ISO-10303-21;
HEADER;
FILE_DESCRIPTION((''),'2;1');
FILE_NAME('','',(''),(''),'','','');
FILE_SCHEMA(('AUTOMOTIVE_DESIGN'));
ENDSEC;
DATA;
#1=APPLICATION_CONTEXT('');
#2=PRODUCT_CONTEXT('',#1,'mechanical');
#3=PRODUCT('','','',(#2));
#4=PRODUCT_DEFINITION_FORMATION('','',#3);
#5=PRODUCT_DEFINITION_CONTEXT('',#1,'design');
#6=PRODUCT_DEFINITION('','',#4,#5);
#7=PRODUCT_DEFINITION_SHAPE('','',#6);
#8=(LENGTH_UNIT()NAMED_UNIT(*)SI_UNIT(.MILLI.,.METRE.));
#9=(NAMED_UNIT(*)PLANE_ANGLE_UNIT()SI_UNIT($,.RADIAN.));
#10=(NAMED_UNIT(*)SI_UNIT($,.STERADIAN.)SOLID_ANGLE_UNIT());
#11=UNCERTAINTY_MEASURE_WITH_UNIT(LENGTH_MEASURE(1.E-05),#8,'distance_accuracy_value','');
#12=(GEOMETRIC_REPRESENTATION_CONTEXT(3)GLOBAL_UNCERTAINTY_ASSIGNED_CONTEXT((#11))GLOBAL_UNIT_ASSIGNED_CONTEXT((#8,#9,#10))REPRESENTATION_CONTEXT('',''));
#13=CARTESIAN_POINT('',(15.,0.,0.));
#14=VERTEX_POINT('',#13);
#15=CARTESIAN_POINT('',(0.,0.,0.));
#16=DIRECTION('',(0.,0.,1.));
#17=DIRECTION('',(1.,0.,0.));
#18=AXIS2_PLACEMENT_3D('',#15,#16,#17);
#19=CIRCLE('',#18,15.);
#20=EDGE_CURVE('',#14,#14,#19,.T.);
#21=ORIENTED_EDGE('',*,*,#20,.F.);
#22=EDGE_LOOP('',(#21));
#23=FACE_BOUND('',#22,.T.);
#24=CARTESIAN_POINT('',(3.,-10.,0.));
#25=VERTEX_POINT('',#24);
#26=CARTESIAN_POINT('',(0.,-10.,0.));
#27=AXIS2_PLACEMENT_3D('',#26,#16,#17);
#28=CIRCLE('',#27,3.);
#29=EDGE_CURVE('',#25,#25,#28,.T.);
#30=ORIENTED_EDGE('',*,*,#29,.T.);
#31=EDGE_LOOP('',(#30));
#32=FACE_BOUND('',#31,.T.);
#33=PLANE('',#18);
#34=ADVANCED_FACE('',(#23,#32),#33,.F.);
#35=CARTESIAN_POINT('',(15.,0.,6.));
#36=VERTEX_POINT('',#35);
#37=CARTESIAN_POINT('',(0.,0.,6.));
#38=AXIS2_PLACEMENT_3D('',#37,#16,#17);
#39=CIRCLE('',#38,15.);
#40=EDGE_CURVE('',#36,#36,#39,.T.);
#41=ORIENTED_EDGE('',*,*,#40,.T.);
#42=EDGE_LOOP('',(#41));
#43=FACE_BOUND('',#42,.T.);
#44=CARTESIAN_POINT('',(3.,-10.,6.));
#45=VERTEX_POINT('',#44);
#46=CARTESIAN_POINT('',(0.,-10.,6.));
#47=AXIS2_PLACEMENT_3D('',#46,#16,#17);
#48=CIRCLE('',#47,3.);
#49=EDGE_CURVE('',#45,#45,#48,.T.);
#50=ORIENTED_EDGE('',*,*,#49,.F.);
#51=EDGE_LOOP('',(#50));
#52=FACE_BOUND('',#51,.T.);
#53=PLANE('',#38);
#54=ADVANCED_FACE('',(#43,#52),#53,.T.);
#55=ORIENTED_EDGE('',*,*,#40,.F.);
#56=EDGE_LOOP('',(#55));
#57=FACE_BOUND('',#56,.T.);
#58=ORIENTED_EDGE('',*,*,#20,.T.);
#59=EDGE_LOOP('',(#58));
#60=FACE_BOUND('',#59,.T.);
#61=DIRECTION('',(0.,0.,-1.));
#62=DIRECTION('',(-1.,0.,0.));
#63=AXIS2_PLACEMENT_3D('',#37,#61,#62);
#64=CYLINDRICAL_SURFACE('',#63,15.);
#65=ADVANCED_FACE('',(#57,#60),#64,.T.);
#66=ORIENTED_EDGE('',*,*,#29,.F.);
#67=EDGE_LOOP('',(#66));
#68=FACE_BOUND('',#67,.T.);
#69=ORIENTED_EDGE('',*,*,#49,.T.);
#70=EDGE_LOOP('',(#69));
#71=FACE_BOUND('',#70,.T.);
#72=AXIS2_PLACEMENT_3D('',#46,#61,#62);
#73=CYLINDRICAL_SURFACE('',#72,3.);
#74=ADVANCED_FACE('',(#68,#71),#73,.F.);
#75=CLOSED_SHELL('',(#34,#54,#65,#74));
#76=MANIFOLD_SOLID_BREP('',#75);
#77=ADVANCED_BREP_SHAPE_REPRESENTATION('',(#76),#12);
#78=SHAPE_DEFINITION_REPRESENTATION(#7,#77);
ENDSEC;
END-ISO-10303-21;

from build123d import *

# Parameters (mm, degrees)
SKETCH2_R           = 15
SKETCH2_R_2         = 3
BOSS_EXTRUDE1_DEPTH = 6


with BuildPart() as part:
    # Sketch2 → Boss-Extrude1 (new body)
    with BuildSketch(Plane.XY):
        Circle(SKETCH2_R)
        with Locations((0, -10)):
            Circle(SKETCH2_R_2, mode=Mode.SUBTRACT)
    extrude(amount=BOSS_EXTRUDE1_DEPTH)


solid = part.part
